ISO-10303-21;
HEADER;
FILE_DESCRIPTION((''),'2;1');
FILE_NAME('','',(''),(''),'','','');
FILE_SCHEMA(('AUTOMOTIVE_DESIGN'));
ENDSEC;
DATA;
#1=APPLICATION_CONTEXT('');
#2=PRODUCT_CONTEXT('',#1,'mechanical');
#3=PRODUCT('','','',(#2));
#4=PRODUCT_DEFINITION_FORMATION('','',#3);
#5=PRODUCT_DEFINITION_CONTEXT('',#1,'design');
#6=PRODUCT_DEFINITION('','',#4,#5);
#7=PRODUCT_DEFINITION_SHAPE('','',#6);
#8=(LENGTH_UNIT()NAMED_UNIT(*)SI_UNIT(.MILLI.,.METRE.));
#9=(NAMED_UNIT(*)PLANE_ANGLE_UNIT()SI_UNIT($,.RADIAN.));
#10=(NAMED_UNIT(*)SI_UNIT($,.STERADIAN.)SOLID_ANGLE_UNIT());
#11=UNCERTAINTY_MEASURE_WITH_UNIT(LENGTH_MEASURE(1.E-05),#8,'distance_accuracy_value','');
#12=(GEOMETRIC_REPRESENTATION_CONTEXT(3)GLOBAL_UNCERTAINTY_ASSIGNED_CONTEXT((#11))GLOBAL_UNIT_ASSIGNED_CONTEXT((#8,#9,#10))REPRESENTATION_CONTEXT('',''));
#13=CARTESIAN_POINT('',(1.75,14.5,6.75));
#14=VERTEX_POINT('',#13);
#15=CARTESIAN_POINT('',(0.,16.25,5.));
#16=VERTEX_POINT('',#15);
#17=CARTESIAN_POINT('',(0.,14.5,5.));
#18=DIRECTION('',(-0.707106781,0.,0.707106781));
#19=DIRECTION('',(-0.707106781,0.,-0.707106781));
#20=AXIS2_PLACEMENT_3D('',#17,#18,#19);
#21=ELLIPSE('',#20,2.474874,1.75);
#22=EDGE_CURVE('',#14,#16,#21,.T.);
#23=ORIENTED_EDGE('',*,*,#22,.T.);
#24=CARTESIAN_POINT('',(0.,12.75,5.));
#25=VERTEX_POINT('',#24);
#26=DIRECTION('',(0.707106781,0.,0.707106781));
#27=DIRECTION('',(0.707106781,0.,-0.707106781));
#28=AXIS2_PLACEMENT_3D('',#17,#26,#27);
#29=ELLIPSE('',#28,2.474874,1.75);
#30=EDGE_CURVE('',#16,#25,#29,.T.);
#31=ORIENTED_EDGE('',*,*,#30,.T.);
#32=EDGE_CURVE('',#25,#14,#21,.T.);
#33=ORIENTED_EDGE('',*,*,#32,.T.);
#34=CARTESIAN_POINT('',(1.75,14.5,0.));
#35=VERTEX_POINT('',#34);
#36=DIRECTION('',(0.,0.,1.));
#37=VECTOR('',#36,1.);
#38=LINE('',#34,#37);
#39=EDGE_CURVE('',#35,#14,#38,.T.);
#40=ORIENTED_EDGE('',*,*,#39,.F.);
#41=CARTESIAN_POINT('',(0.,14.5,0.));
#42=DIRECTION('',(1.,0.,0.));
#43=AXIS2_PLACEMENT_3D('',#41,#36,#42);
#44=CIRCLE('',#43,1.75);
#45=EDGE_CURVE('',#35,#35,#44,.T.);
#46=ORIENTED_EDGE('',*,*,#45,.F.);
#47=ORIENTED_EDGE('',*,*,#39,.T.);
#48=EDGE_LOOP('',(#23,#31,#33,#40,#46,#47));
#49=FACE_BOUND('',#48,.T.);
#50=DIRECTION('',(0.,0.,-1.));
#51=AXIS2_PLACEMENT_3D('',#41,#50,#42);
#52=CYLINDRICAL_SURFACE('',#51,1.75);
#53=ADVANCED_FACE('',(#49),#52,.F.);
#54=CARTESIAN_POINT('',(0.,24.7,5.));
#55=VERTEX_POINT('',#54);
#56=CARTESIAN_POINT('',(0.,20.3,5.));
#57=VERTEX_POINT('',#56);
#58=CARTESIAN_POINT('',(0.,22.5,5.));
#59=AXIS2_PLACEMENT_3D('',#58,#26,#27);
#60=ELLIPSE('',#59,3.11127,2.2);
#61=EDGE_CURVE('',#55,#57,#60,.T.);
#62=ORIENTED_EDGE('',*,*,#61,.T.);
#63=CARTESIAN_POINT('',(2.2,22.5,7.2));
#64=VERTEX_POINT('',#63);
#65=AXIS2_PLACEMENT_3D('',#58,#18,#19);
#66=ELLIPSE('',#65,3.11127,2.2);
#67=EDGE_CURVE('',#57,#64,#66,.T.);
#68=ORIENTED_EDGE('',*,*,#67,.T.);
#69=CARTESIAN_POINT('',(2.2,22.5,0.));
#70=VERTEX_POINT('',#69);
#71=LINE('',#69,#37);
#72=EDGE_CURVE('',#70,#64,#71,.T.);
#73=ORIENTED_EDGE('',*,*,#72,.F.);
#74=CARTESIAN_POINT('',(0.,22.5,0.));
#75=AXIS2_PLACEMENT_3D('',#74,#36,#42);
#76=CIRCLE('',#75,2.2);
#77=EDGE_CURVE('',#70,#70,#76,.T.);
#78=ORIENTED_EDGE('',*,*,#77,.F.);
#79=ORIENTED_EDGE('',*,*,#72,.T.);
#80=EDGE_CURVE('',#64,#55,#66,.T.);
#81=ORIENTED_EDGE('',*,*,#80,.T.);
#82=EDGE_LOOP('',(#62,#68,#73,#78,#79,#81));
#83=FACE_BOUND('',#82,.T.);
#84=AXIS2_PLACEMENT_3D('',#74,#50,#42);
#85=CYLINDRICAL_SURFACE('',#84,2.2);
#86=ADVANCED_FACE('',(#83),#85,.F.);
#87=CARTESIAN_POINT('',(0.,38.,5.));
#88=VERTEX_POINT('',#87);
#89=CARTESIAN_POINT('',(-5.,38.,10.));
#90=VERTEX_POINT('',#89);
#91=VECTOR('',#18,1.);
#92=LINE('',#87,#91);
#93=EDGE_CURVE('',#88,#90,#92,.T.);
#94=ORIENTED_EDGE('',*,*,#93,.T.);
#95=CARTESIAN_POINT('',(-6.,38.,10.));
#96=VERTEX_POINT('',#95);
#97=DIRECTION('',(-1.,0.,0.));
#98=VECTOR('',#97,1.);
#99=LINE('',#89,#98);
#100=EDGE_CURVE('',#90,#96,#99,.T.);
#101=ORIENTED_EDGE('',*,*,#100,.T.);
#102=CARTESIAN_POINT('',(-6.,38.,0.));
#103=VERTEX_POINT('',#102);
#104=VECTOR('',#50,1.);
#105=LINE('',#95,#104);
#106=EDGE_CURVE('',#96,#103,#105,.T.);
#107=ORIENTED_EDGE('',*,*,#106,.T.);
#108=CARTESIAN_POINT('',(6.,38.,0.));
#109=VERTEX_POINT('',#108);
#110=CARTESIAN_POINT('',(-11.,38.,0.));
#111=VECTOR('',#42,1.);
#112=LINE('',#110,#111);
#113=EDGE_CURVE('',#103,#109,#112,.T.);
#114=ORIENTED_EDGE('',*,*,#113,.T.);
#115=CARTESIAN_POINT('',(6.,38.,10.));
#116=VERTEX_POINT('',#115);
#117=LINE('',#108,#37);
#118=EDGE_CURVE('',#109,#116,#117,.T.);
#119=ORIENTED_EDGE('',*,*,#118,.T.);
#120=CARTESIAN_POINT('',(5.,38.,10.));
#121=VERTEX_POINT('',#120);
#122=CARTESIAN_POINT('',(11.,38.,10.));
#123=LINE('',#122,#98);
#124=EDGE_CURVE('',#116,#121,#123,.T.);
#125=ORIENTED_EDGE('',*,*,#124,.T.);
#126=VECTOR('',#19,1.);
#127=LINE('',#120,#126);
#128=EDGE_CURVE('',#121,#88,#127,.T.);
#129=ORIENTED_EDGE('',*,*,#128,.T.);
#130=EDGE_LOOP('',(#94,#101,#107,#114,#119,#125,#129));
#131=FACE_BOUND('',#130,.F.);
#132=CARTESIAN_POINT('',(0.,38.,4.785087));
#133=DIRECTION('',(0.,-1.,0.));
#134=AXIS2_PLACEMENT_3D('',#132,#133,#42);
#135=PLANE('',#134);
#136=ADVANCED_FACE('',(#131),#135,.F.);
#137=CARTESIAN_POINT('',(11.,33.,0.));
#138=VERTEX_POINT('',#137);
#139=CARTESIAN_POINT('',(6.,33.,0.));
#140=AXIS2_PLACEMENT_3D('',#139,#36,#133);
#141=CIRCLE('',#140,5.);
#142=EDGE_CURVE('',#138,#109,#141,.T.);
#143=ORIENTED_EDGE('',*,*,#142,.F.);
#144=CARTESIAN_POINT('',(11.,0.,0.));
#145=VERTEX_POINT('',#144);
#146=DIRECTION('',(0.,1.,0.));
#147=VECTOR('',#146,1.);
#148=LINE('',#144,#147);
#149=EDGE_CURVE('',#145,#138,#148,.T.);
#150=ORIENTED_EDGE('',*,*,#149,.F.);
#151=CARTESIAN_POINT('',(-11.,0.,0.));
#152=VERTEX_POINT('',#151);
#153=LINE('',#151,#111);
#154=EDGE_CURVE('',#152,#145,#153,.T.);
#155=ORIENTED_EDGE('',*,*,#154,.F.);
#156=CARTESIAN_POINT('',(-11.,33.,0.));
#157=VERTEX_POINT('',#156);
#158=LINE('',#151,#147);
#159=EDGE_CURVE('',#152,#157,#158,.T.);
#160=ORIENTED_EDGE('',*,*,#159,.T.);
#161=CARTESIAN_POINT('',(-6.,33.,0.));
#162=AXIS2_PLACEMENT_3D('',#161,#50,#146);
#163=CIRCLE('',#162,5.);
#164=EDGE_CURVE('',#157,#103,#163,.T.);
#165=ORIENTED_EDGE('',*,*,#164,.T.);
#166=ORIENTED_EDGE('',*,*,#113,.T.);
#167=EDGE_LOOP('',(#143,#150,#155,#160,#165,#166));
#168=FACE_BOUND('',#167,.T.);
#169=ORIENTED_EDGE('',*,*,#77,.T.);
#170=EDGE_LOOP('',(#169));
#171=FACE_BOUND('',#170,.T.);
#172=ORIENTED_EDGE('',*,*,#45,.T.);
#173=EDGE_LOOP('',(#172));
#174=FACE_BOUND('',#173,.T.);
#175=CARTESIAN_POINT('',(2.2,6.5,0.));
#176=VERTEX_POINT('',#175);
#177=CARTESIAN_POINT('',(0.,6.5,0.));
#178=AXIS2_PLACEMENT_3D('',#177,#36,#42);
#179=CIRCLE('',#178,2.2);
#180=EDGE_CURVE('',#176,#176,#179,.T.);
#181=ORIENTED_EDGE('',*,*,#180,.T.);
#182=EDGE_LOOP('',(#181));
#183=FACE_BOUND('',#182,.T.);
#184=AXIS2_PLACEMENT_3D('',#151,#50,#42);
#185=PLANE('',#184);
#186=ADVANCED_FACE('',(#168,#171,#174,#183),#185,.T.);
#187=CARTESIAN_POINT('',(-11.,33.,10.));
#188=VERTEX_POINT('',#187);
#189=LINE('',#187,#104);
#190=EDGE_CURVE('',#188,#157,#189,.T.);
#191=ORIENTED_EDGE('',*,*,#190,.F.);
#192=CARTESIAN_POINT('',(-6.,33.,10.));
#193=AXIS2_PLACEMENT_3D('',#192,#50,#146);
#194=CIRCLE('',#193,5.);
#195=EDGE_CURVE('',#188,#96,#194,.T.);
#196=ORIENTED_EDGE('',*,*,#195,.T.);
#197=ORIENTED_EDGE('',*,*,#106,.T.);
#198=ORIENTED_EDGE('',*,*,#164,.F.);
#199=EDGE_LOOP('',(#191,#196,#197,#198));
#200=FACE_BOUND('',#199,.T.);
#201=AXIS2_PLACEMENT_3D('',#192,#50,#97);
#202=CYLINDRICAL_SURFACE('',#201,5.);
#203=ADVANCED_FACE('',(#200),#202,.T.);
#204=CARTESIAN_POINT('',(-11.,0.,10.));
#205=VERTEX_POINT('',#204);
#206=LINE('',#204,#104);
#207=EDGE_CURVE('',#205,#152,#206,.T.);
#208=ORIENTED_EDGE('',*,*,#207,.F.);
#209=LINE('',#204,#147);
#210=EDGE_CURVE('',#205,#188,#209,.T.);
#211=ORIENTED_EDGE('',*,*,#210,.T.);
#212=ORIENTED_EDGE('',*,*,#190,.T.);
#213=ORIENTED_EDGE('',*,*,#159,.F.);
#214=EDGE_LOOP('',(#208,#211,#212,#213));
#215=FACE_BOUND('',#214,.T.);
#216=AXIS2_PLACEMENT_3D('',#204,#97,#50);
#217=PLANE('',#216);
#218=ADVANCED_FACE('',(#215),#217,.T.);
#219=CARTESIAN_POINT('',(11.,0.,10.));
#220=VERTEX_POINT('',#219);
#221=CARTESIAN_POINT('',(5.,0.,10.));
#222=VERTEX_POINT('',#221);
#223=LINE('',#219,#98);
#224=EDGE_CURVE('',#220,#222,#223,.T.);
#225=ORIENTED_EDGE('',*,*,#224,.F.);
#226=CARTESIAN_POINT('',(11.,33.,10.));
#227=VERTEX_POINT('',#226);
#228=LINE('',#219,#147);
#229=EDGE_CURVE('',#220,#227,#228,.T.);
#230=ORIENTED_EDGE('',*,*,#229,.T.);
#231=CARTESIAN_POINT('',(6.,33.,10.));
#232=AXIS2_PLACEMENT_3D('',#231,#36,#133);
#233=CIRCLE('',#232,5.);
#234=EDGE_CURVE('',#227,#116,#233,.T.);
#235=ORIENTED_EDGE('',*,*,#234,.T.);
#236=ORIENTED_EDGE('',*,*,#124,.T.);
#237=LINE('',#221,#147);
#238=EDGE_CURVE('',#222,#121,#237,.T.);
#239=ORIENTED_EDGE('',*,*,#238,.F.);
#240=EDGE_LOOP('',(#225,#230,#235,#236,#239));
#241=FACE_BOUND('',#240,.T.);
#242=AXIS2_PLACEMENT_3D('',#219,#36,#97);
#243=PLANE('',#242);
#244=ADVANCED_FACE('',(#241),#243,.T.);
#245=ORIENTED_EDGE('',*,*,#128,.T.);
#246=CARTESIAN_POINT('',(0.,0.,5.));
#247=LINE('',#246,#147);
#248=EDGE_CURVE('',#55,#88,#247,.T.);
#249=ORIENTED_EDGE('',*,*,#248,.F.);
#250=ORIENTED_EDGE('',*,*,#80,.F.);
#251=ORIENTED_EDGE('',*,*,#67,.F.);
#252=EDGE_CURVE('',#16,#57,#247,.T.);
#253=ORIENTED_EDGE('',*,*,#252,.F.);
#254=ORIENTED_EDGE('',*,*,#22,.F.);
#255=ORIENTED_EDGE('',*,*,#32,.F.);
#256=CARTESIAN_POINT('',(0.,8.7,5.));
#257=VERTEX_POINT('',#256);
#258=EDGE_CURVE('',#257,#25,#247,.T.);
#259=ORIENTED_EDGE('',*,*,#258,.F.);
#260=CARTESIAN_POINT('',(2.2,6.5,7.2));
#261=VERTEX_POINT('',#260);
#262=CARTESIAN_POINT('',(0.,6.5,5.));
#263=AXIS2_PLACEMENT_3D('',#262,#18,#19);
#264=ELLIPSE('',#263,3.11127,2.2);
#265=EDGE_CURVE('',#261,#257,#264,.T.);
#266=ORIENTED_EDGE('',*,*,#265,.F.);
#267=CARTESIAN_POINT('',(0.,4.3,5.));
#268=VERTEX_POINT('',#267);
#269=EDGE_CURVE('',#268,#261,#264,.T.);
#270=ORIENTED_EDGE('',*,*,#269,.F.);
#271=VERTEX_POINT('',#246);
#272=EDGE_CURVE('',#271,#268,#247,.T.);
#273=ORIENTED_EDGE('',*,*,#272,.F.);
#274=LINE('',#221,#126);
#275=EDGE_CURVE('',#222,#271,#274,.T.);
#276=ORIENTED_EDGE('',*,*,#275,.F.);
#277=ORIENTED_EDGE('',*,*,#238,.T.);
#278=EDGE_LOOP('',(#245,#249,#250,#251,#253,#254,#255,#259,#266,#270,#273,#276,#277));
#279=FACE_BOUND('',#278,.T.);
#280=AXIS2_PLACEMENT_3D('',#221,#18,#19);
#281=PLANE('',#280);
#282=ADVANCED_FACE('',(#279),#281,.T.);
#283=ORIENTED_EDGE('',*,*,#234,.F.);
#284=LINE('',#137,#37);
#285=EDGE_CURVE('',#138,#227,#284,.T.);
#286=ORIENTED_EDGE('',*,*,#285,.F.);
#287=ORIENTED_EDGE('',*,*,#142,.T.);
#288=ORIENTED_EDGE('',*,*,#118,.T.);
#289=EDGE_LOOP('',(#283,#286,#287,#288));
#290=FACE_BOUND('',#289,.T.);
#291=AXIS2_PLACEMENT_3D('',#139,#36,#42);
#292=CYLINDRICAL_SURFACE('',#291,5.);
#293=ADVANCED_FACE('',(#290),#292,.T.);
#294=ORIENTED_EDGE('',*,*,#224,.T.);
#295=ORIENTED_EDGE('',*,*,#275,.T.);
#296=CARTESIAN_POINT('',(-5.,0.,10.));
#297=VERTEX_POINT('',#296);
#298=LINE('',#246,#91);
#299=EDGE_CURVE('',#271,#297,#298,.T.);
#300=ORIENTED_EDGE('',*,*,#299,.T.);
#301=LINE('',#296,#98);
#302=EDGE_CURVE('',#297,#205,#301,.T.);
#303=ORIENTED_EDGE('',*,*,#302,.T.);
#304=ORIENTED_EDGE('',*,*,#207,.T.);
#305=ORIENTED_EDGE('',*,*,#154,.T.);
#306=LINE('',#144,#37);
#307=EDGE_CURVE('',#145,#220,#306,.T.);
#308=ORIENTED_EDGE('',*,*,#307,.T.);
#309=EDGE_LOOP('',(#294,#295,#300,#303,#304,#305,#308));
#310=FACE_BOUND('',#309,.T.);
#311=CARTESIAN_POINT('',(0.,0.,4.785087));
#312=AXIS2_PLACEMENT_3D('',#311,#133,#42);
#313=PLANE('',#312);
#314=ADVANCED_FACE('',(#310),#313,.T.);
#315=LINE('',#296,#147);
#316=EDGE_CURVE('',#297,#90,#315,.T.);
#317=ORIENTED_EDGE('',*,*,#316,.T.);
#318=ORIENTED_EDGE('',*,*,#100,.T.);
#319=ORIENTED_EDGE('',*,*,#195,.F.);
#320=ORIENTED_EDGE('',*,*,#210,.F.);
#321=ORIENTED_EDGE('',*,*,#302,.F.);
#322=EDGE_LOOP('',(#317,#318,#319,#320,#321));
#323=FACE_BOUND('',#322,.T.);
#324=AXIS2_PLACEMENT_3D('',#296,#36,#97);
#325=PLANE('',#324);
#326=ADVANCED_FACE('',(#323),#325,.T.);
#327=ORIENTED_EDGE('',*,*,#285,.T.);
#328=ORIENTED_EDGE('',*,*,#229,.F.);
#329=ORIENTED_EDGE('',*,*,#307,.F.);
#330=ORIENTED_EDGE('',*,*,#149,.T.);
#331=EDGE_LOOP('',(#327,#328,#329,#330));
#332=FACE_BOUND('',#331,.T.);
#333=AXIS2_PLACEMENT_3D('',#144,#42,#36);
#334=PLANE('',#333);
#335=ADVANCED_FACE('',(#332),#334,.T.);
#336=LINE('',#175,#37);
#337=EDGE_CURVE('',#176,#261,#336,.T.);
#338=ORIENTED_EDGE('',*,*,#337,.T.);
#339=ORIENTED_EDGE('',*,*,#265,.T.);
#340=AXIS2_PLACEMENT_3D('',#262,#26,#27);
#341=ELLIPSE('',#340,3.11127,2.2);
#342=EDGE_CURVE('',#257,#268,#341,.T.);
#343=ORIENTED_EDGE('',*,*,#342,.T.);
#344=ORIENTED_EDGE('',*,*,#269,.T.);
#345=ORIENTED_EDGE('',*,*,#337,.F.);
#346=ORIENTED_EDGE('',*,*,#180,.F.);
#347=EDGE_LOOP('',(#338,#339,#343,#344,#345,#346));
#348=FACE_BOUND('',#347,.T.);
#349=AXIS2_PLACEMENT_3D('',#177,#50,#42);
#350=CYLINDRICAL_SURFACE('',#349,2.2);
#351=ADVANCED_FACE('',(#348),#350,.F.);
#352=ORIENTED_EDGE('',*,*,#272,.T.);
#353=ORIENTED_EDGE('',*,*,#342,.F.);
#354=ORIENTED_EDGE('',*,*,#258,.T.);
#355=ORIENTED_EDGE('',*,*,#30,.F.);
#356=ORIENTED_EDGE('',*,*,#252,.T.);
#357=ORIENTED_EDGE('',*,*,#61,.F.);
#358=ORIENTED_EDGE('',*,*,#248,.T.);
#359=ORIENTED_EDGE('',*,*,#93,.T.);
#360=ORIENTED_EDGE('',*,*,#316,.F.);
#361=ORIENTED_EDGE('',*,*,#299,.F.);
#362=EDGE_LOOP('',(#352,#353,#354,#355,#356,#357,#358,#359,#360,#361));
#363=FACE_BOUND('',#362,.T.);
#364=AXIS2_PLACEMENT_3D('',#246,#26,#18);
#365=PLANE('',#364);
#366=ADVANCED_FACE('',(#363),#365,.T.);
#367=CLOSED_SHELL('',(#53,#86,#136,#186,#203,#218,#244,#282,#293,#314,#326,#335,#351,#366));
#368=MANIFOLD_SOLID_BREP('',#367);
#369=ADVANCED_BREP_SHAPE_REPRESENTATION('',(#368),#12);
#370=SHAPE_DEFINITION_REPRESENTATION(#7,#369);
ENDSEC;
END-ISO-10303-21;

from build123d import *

# Parameters (mm, degrees)
F1_DEPTH = 38
F2_R     = 5
F3_R     = 2.2
F3_R_2   = 1.75
F4_DEPTH = 10.001


with BuildPart() as f1:
    # F0 (on Front) → F1 (new body)
    with BuildSketch(Plane.XZ):
        Polygon((-11, 10), (-11, 0), (11, 0), (11, 10), (5, 10), (0, 5), (-5, 10), align=None)
    extrude(amount=-F1_DEPTH)

    # F2
    f2_edges = [f1.edges().sort_by_distance(p)[0] for p in [
        (11, 38, 5),
        (-11, 38, 5),
    ]]
    fillet(f2_edges, radius=F2_R)

    # F3 (on Top) → F4 (cut, through all)
    with BuildSketch(Plane.XY):
        with Locations((0, 6.5)):
            Circle(F3_R)
        with Locations((0, 22.5)):
            Circle(F3_R)
        with Locations((0, 14.5)):
            Circle(F3_R_2)
    extrude(amount=F4_DEPTH, mode=Mode.SUBTRACT)


solid = f1.part
